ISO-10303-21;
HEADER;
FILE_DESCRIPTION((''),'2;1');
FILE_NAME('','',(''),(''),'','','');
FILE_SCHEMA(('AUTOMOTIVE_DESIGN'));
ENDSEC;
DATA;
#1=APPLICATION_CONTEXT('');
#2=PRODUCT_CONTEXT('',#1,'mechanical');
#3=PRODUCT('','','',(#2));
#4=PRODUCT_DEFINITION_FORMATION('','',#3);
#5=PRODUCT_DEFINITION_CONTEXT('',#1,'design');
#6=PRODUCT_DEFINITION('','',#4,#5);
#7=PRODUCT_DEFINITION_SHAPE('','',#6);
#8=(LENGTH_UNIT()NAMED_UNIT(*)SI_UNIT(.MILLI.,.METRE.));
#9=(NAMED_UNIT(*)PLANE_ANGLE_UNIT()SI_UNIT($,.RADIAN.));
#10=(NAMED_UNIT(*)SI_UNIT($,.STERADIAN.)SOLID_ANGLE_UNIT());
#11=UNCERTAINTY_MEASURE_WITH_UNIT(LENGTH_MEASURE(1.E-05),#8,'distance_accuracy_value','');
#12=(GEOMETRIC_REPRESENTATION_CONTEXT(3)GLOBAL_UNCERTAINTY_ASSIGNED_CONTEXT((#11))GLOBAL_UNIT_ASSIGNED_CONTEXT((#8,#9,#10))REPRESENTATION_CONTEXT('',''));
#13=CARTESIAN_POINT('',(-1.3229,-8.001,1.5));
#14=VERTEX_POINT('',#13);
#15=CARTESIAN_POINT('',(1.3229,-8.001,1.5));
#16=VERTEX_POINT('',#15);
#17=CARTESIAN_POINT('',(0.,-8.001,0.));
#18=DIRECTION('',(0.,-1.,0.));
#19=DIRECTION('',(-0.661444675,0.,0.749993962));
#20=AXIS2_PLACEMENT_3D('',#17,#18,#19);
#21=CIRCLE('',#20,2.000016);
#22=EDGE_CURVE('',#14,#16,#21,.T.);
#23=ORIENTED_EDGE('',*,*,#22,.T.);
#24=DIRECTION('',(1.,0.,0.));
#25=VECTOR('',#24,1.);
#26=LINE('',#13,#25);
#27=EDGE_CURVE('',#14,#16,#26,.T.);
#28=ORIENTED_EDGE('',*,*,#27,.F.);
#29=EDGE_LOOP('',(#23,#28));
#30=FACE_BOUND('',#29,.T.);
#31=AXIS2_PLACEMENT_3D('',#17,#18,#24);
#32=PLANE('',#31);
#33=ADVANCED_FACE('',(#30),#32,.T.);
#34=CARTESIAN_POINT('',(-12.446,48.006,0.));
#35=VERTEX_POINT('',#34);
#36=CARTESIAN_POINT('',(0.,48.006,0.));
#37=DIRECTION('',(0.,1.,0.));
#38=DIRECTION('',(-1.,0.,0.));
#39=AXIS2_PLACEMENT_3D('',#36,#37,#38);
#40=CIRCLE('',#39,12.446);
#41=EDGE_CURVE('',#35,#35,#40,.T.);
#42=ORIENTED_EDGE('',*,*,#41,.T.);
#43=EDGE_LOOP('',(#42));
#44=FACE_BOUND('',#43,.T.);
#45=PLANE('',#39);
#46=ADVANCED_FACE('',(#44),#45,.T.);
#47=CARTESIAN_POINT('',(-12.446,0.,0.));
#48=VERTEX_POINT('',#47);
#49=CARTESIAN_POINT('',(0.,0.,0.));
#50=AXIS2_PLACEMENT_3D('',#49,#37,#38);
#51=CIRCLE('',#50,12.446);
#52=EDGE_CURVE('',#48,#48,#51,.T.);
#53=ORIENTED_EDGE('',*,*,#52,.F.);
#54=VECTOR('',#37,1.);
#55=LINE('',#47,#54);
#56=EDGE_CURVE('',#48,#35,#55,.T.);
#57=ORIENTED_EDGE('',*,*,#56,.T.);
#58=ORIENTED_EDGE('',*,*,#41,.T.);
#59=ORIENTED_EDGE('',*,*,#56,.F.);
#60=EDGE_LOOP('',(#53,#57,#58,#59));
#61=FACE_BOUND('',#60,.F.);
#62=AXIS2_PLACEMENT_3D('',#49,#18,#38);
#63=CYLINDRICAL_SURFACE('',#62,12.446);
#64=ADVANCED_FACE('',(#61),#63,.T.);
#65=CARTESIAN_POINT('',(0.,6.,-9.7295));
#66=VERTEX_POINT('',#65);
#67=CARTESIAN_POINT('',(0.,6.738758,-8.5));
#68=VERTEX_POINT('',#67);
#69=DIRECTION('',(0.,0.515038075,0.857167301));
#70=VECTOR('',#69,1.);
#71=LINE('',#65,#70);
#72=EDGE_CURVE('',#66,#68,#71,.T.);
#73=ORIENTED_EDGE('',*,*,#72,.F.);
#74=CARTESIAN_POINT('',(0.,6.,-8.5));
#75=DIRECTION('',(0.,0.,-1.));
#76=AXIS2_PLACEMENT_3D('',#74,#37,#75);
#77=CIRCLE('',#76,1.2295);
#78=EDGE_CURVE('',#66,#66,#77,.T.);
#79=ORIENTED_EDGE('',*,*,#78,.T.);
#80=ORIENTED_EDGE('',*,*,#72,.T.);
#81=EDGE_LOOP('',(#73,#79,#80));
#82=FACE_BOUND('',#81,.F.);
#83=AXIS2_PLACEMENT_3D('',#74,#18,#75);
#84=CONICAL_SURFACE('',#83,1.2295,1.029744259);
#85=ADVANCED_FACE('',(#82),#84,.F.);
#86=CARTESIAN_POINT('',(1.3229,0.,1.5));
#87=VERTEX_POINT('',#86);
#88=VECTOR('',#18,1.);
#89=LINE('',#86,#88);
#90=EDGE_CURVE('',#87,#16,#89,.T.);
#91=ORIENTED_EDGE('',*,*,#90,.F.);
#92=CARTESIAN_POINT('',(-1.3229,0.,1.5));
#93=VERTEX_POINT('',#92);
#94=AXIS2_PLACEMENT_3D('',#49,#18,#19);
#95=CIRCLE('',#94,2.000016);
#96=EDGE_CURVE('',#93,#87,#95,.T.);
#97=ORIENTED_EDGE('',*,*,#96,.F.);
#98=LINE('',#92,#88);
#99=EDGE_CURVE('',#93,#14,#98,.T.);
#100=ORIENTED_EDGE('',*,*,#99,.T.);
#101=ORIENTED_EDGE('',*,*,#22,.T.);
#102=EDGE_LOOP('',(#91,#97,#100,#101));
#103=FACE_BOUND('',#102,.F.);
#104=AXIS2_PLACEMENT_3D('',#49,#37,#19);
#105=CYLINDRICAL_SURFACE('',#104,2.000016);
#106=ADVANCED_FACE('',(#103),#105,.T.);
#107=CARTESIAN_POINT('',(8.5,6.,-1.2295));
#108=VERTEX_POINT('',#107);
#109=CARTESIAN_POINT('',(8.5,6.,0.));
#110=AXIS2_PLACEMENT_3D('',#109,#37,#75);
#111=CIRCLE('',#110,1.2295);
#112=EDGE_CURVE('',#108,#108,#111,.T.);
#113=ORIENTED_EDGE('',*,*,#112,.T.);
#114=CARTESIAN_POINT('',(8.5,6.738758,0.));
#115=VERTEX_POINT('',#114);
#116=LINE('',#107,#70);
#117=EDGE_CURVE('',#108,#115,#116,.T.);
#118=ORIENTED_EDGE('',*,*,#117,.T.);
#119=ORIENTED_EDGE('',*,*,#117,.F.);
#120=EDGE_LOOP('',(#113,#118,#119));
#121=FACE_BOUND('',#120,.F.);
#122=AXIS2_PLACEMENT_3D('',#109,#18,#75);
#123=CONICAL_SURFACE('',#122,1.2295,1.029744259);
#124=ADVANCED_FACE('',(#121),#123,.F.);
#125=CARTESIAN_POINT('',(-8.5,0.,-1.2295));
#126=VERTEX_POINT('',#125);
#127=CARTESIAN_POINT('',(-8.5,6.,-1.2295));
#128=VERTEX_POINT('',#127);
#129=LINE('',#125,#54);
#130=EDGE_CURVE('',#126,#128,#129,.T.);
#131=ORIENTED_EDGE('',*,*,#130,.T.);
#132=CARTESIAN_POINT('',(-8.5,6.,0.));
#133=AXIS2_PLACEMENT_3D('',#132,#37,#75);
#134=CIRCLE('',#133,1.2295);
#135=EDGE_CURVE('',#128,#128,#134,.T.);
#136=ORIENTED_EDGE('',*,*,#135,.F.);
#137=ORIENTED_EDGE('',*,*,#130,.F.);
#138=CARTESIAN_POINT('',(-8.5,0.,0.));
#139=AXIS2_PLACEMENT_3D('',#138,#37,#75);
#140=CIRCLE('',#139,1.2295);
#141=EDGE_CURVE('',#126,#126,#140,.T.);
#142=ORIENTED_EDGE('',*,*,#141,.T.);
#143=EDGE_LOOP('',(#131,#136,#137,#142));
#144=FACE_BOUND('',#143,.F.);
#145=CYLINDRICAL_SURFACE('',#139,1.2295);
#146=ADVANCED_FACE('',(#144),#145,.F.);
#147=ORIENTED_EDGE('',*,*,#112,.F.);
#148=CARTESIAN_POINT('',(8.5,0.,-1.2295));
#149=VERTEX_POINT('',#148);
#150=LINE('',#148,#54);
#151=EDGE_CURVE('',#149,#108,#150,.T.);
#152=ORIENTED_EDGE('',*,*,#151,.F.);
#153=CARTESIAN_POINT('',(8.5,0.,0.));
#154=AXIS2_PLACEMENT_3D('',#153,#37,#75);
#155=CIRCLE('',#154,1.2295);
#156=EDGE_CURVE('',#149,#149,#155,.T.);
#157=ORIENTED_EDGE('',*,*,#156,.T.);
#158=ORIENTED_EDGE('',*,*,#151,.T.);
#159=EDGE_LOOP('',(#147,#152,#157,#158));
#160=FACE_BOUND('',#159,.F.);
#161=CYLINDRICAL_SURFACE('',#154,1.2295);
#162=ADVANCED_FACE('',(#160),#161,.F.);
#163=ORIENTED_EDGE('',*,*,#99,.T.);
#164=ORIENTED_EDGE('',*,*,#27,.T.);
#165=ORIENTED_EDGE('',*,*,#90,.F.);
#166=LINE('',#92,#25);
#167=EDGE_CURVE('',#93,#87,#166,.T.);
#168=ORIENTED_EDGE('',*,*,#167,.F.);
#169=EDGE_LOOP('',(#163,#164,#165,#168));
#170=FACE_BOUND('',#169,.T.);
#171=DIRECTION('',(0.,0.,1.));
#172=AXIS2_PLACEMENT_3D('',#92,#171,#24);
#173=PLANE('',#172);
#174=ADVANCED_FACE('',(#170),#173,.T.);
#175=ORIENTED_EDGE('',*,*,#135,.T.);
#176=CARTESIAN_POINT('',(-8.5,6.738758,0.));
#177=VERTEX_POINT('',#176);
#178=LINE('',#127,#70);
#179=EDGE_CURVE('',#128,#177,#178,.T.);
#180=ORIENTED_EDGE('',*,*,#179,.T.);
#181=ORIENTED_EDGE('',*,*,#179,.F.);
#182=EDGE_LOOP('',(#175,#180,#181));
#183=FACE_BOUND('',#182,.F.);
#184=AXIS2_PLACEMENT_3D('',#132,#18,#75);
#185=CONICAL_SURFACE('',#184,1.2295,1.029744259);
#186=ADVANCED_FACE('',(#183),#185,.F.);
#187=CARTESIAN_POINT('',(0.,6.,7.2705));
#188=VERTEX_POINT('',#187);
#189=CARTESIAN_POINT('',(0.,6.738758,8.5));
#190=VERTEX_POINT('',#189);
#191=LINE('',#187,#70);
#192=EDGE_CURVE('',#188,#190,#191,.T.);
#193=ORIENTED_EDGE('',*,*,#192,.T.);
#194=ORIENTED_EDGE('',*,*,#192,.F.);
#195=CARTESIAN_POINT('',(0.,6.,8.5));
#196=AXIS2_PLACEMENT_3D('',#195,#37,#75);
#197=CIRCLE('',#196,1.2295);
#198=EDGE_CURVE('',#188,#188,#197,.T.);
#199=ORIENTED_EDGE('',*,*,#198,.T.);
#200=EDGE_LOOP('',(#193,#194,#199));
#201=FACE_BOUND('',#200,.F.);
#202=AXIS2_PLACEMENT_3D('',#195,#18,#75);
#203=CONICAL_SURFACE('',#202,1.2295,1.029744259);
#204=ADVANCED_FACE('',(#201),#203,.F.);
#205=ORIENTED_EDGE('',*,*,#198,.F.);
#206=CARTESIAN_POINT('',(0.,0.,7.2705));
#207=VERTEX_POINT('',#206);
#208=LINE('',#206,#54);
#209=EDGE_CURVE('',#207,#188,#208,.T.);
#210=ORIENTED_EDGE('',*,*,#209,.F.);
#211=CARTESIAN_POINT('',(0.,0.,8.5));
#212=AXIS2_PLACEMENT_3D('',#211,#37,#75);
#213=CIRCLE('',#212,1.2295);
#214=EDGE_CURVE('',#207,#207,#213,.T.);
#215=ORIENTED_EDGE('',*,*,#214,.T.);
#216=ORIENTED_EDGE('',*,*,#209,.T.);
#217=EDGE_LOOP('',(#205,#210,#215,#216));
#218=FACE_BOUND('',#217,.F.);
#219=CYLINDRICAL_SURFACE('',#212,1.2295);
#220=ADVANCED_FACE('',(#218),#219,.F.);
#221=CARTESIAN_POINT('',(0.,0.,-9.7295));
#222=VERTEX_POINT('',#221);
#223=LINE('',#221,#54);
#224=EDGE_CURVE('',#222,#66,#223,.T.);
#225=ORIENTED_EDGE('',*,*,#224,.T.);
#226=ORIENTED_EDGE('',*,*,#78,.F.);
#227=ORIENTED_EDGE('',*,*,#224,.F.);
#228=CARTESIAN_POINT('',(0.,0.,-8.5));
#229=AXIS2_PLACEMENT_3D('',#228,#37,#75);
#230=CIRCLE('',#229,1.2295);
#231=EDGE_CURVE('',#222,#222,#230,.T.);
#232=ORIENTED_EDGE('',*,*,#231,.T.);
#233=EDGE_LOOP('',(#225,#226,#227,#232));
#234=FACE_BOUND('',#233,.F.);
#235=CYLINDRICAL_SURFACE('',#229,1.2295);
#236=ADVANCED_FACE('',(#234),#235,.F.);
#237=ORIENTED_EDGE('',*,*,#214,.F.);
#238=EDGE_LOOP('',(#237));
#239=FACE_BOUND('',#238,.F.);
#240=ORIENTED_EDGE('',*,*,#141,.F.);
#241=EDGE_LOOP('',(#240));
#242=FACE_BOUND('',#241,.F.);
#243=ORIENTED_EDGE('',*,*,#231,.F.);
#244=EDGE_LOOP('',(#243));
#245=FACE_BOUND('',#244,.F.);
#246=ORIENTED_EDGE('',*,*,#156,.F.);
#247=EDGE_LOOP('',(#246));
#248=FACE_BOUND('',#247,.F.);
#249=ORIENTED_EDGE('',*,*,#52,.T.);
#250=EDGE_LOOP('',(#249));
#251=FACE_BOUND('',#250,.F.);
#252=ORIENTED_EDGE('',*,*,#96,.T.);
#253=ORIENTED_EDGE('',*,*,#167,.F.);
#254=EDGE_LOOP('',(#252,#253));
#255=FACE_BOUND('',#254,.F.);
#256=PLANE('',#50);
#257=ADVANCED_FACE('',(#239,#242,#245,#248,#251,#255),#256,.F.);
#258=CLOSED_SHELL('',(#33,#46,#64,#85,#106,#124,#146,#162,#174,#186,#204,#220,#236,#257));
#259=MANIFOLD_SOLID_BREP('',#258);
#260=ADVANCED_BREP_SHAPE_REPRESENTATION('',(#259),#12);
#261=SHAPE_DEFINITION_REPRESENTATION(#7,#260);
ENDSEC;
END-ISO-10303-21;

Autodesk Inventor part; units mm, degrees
ref_plane "YZ Plane" through (0, 0, 0) normal (1, 0, 0) x (0, 1, 0)
ref_plane "XZ Plane" through (0, 0, 0) normal (0, 1, 0) x (-1, 0, 0)
ref_plane "XY Plane" through (0, 0, 0) normal (0, 0, 1) x (1, 0, 0)
sketch "Boceto1" plane through (0, 0, 0) normal (0, 1, 0) x (-1, 0, 0)
  circle A0 centre (0, 0) radius 12.446
  dimension "d0" = 24.892
extrude "Extrusión1" add sketch "Boceto1" along normal blind 48.006
sketch "Boceto2" plane through (0, 0, 0) normal (0, -1, 0) x (1, 0, 0)
  arc A0 (-1.3229, 1.5) -> (1.3229, 1.5) centre (0, 0) ccw
  line L0 (-1.3229, 1.5) -> (1.3229, 1.5)
  dimension "d3" = 4
  dimension "d4" = 1.5
extrude "Extrusión2" add sketch "Boceto2" along normal blind 8.001
sketch "Boceto3" plane through (0, 0, 0) normal (0, -1, 0) x (1, 0, 0)
  arc A0 (-1.3229, 1.5) -> (1.3229, 1.5) centre (0, 0) ccw projected
  point P0 (0, 8.5)
  point P1 (-8.5, 0)
  point P2 (0, -8.5)
  point P3 (8.5, 0)
  dimension "d7" = 8.5
  dimension "d10" = 360
hole "Hole1" at (0, 0, 8.5) at (-8.5, 0, 0) at (0, 0, -8.5) at (8.5, 0, 0) direction (0, 1, 0) diameter 2.459 depth 6 tip angle 118 thread size "M3x0.5" class "6H" standard "ISO Metric profile"
properties part number "Motor" material "Aluminio-6061"
